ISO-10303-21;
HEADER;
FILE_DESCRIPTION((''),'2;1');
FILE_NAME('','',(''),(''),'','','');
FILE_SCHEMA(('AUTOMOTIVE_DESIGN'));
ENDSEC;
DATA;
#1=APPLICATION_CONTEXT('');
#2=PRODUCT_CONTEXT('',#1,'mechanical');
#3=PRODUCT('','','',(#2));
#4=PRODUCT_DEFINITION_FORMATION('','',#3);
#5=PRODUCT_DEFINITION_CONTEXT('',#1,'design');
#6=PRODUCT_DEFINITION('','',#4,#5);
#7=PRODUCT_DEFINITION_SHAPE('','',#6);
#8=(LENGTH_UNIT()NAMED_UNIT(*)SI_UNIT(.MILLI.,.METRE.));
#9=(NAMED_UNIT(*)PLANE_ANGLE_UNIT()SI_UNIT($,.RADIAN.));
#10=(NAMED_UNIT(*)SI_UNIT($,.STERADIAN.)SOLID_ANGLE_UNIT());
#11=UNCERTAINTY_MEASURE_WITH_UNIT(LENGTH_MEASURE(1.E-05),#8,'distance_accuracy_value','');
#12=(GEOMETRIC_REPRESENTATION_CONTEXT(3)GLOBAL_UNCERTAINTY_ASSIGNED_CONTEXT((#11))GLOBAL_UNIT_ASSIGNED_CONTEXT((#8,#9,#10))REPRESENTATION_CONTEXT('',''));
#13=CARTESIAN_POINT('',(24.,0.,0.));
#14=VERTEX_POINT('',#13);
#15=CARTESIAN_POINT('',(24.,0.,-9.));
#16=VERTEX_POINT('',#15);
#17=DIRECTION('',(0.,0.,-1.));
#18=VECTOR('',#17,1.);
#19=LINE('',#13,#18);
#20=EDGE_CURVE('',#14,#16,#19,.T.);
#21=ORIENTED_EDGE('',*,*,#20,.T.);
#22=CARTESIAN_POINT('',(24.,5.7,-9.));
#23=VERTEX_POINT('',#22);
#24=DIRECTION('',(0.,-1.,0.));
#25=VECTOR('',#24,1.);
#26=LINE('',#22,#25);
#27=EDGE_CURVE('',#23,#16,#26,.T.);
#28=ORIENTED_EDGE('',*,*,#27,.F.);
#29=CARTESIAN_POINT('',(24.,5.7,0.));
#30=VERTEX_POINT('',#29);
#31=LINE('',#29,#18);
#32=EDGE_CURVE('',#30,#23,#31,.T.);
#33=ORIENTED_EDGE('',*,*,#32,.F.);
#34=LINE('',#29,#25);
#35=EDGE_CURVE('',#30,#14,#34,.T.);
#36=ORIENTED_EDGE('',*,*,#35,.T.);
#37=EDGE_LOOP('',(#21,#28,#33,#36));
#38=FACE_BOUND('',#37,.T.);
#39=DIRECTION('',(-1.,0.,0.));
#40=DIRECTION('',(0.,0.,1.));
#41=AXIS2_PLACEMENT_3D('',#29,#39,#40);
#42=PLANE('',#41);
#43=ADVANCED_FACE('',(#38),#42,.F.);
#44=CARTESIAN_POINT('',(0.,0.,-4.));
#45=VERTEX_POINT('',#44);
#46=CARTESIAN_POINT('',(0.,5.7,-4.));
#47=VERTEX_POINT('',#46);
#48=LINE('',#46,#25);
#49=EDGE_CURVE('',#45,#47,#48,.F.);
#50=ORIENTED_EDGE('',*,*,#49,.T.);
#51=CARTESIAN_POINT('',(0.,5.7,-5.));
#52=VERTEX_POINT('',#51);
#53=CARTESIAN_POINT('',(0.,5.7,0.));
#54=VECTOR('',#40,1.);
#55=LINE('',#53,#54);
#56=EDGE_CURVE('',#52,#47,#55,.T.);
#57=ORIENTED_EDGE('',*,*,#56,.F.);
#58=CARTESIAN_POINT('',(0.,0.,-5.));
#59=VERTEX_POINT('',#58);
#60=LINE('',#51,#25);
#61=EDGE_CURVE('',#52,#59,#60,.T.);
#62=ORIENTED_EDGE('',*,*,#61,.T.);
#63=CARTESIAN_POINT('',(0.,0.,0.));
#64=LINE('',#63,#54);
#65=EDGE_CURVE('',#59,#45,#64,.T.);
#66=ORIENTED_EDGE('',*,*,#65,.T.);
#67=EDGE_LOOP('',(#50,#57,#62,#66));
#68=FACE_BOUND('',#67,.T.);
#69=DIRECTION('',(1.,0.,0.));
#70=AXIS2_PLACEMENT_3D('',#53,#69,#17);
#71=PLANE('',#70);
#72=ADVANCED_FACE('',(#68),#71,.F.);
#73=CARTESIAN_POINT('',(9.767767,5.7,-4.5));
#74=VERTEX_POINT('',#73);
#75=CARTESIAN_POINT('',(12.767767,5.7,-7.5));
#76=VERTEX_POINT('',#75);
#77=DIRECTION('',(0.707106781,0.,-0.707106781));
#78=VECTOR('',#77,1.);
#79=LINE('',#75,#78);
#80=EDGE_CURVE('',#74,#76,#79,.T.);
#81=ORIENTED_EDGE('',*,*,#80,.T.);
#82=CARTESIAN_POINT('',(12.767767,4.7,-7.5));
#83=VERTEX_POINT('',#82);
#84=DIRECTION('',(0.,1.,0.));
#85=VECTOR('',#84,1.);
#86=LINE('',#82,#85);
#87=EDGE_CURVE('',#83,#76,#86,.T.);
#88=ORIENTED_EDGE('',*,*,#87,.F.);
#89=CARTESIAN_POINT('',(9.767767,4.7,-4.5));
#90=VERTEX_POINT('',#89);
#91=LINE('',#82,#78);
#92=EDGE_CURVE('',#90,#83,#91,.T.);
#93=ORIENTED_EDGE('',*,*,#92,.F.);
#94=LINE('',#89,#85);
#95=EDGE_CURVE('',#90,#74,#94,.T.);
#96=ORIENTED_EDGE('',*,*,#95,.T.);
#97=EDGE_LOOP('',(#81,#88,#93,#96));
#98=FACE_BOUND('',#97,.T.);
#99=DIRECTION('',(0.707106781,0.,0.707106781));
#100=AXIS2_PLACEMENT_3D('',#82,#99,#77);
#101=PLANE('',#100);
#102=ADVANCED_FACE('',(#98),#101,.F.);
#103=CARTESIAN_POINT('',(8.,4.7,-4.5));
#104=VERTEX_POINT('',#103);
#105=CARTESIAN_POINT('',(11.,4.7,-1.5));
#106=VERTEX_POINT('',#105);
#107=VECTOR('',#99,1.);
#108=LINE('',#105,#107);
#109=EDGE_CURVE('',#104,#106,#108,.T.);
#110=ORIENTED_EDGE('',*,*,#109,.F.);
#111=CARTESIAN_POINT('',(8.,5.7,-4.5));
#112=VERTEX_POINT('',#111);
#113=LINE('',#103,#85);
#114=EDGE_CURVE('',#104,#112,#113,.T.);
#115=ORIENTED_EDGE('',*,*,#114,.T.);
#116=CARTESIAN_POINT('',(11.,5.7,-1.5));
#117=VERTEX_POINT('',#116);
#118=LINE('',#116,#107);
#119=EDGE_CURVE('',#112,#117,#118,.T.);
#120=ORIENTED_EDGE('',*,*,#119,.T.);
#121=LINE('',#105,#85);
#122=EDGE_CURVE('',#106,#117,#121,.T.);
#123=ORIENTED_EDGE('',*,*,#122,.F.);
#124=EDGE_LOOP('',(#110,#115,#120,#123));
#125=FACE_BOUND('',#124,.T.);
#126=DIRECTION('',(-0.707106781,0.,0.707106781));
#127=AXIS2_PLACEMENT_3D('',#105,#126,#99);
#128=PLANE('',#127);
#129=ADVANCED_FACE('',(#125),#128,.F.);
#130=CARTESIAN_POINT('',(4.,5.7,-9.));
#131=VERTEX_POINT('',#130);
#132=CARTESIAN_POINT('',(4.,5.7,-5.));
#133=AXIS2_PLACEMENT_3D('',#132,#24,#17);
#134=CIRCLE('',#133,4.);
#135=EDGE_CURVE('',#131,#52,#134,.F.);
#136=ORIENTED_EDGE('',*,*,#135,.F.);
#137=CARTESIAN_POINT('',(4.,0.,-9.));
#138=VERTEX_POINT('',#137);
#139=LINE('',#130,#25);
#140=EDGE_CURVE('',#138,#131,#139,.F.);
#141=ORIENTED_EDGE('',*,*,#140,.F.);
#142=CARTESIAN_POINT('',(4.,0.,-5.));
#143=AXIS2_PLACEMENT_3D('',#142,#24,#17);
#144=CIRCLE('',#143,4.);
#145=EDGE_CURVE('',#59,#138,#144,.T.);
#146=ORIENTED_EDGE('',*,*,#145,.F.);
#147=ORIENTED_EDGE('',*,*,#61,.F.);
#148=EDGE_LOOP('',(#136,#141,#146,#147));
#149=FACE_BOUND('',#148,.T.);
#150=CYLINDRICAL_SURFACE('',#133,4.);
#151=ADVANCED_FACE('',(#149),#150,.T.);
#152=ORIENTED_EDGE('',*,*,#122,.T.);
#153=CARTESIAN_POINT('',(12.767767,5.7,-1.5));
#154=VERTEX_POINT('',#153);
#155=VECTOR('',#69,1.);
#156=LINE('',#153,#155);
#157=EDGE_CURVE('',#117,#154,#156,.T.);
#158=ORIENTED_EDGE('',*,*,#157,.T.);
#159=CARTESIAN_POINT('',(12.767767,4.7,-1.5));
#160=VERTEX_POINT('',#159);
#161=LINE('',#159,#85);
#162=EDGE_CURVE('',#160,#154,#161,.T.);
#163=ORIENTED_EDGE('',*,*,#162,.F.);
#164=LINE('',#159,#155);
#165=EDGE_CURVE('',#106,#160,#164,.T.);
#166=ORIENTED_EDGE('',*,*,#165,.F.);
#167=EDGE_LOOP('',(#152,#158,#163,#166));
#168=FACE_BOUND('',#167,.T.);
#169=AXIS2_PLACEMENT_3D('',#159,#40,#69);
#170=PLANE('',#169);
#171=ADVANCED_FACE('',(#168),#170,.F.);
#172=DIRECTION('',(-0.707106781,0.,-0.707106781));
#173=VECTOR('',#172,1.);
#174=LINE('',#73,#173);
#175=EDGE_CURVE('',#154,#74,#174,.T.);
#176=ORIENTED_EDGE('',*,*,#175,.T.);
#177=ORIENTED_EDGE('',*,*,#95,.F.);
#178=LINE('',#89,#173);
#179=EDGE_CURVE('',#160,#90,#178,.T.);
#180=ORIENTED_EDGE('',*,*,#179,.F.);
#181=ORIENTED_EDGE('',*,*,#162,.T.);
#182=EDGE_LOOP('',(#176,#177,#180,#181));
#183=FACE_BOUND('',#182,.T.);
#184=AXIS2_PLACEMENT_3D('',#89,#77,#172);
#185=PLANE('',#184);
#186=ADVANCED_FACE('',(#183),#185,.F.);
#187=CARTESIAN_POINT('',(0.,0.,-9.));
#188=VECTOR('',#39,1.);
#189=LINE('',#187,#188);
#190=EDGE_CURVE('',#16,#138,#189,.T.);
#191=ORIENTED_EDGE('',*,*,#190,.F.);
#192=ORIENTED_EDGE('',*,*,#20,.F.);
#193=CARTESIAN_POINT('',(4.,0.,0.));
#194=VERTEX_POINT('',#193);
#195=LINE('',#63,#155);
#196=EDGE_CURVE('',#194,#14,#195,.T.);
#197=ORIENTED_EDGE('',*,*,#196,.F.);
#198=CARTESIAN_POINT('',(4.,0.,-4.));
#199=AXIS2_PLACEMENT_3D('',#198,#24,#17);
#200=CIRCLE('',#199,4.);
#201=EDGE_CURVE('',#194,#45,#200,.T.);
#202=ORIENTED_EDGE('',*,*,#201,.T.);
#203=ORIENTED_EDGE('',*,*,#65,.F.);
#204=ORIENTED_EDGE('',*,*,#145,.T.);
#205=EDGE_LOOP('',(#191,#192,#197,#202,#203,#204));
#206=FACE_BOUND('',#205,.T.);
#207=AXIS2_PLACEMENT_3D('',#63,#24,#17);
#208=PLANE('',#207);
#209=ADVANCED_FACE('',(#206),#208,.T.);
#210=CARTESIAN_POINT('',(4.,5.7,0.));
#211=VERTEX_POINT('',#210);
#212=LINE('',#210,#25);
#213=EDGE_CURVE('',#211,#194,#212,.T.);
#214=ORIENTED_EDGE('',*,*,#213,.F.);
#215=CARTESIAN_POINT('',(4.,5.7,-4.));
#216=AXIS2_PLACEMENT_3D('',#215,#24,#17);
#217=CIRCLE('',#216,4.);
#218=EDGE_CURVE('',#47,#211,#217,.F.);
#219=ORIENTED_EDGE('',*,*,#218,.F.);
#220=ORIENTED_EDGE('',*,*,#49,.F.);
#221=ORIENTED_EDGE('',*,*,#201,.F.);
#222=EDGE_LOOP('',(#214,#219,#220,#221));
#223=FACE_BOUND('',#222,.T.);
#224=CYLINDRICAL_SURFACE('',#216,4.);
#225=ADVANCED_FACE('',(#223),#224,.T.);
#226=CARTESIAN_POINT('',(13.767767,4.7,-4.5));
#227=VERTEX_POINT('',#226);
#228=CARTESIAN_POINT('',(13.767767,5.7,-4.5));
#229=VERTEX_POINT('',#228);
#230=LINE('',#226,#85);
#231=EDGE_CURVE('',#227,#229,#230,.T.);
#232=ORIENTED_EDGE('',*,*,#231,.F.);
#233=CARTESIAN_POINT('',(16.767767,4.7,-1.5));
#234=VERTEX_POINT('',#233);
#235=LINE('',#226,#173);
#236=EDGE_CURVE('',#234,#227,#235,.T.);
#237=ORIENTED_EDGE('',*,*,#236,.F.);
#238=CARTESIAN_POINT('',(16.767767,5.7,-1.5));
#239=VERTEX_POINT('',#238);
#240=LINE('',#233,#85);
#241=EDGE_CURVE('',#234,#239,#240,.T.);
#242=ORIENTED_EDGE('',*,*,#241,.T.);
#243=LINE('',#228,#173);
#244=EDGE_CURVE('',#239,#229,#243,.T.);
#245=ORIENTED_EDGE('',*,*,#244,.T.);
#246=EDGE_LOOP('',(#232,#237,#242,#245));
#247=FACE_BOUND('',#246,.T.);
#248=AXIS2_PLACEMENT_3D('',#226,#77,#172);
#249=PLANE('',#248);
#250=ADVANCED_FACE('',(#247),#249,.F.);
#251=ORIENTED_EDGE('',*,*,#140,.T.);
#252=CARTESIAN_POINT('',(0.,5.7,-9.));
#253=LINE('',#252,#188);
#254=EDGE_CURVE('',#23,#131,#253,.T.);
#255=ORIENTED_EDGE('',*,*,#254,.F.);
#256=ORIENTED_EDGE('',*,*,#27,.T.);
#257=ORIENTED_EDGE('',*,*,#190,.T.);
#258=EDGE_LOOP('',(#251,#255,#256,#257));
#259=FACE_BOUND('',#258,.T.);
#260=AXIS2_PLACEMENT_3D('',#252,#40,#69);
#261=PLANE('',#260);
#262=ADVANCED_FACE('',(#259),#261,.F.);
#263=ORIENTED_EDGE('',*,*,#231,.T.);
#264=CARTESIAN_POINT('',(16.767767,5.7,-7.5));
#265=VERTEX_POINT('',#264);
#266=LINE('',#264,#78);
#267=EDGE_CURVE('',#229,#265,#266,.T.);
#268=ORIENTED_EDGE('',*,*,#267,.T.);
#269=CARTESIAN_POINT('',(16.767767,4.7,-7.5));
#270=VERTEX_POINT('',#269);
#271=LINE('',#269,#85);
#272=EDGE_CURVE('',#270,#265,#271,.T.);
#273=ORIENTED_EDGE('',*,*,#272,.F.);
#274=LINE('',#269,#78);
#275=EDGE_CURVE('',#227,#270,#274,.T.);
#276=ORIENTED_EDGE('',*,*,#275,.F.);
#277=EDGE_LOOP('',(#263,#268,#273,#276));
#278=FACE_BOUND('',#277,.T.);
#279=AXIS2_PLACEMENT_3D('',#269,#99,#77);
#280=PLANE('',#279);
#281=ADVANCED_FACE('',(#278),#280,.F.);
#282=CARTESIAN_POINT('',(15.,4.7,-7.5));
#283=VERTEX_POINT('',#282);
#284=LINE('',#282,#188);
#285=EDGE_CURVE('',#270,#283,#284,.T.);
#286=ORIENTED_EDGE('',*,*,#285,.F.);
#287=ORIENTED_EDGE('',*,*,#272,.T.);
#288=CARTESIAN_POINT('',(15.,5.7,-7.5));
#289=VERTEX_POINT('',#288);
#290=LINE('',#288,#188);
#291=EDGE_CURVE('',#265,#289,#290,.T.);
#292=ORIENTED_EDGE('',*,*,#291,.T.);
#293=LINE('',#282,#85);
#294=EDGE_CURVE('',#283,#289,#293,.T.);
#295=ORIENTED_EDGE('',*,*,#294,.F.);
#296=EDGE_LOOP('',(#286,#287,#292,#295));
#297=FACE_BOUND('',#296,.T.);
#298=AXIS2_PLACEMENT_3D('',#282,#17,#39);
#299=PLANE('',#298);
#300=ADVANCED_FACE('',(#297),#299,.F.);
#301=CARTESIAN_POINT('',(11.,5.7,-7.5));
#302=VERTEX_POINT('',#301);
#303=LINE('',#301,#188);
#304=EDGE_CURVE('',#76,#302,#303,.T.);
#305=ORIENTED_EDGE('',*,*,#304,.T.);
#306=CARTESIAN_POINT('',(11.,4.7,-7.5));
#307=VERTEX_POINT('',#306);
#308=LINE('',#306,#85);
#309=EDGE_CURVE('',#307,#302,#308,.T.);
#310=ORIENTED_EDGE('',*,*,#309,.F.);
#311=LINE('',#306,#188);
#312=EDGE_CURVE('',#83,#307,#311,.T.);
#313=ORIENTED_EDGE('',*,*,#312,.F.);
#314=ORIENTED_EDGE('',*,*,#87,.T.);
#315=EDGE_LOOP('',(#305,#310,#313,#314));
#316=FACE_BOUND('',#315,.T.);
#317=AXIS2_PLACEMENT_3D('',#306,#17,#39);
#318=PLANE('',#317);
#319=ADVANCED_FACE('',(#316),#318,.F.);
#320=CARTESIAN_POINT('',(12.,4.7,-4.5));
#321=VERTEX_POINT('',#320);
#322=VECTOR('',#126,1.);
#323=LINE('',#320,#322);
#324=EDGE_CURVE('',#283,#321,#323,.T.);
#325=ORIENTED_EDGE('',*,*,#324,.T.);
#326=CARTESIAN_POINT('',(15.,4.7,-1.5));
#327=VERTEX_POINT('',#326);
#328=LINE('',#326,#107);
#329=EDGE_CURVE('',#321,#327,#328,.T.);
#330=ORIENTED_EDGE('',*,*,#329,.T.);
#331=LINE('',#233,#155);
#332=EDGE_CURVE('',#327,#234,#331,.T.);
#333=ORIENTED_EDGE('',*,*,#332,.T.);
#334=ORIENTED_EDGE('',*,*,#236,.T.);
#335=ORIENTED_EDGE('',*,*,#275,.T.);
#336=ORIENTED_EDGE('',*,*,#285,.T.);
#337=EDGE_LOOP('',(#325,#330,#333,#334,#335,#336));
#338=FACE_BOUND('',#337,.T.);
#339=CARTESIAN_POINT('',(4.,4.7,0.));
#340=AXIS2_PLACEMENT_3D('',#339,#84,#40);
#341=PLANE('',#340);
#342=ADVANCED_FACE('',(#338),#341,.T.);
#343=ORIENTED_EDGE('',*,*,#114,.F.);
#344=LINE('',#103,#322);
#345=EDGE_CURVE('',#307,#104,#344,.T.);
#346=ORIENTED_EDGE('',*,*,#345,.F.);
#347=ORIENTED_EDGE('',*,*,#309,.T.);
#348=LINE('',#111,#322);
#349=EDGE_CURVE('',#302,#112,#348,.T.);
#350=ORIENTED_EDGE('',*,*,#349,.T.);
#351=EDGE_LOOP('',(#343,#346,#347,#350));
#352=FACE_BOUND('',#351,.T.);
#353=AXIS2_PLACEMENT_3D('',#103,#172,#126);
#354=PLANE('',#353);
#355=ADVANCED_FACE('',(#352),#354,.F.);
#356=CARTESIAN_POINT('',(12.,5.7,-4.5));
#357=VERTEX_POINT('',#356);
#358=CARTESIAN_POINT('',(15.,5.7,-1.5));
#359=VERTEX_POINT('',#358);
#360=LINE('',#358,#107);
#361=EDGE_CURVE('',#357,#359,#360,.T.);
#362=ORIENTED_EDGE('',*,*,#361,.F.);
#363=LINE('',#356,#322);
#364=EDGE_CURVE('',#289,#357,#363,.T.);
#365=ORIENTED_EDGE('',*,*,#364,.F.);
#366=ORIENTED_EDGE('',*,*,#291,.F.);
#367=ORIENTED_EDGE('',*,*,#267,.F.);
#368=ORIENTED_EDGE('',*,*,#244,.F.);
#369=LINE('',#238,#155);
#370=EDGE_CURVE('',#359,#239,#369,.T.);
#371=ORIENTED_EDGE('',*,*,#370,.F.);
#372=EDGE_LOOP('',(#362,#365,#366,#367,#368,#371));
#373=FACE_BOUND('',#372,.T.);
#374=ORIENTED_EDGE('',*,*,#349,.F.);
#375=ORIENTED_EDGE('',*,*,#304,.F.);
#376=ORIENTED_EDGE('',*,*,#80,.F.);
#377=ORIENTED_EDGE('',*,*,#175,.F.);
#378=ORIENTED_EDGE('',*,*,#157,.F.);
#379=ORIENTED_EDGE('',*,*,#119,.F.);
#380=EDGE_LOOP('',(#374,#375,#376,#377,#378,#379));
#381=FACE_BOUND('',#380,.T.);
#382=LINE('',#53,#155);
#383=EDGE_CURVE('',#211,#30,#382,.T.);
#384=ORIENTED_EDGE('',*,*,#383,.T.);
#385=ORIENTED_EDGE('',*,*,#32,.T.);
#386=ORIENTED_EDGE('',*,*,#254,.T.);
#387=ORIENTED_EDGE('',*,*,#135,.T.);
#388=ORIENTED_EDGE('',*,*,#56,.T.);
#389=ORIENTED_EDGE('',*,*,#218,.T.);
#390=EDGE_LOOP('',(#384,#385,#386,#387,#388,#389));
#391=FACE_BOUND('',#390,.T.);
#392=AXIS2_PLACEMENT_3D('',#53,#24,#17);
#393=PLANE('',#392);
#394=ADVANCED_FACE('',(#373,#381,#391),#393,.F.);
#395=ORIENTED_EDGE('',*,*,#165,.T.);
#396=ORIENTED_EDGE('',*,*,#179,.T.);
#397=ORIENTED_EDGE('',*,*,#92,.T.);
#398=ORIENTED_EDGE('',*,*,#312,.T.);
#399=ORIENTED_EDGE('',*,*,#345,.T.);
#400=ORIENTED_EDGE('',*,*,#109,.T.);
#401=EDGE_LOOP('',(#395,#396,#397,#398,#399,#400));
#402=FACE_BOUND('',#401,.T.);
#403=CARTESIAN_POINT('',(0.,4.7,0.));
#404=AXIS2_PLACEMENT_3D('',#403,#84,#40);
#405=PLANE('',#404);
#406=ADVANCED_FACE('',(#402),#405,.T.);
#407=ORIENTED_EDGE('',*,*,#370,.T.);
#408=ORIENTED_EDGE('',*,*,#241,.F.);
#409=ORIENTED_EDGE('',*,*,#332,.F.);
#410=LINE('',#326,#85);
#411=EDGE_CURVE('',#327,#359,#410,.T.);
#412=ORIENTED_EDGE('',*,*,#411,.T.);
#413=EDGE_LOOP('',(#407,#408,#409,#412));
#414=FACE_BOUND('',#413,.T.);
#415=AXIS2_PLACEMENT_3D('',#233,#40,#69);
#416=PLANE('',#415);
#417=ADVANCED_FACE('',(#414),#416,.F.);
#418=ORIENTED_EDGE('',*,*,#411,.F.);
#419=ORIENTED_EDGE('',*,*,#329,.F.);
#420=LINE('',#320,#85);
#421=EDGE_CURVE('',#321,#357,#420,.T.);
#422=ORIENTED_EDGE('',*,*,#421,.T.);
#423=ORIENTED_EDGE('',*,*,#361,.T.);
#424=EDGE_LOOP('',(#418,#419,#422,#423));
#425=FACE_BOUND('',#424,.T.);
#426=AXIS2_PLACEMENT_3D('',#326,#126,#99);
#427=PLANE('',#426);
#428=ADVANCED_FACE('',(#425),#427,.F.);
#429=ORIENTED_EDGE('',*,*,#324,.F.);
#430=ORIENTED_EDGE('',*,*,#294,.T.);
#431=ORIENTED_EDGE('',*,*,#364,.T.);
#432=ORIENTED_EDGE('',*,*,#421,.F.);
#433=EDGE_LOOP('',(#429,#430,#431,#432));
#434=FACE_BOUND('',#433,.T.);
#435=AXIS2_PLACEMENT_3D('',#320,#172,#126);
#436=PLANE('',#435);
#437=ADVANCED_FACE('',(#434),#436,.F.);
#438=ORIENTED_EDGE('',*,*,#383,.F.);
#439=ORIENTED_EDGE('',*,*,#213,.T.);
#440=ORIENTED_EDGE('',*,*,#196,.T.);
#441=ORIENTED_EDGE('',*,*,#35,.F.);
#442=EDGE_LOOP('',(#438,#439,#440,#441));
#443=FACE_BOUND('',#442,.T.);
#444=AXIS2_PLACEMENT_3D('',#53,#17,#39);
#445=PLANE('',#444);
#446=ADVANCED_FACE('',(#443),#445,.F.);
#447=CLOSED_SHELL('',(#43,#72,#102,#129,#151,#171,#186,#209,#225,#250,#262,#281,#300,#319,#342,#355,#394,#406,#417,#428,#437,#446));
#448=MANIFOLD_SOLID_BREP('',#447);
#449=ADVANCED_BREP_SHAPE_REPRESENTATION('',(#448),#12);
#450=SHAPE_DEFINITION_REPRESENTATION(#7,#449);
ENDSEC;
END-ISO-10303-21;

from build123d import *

# Parameters (mm, degrees)
SKETCH1_W           = 24
SKETCH1_H           = 9
BOSS_EXTRUDE1_DEPTH = 5.7
FILLET1_R           = 4
FILLET2_R           = 4
CUT_EXTRUDE2_DEPTH  = 1
LPATTERN1_COUNT     = 2
LPATTERN1_PITCH     = 4


with BuildPart() as part:
    # Sketch1 → Boss-Extrude1 (new body)
    with BuildSketch(Plane(origin=(0, 0, 0), x_dir=(1, 0, 0), z_dir=(0, 1, 0))):
        with Locations((12, 4.5)):
            Rectangle(SKETCH1_W, SKETCH1_H)
    extrude(amount=BOSS_EXTRUDE1_DEPTH)

    # Fillet1
    fillet1_edges = [part.edges().sort_by_distance(p)[0] for p in [
        (0, 2.85, 0),
    ]]
    fillet(fillet1_edges, radius=FILLET1_R)

    # Fillet2
    fillet2_edges = [part.edges().sort_by_distance(p)[0] for p in [
        (0, 2.85, -9),
    ]]
    fillet(fillet2_edges, radius=FILLET2_R)

    # Sketch2 → Cut-Extrude2 (cut)
    with BuildSketch(Plane(origin=(0, 5.7, 0), x_dir=(1, 0, 0), z_dir=(0, 1, 0))):
        Polygon((12.767766953, 1.5), (11, 1.5), (8, 4.5), (11, 7.5), (12.767766953, 7.5), (9.767766953, 4.5), align=None)
    cut_extrude2 = extrude(amount=-CUT_EXTRUDE2_DEPTH, mode=Mode.SUBTRACT)

    # LPattern1: Cut-Extrude2 ×2
    with Locations(*[(i * LPATTERN1_PITCH, 0, 0) for i in range(1, LPATTERN1_COUNT)]):
        add(cut_extrude2, mode=Mode.SUBTRACT)


solid = part.part
